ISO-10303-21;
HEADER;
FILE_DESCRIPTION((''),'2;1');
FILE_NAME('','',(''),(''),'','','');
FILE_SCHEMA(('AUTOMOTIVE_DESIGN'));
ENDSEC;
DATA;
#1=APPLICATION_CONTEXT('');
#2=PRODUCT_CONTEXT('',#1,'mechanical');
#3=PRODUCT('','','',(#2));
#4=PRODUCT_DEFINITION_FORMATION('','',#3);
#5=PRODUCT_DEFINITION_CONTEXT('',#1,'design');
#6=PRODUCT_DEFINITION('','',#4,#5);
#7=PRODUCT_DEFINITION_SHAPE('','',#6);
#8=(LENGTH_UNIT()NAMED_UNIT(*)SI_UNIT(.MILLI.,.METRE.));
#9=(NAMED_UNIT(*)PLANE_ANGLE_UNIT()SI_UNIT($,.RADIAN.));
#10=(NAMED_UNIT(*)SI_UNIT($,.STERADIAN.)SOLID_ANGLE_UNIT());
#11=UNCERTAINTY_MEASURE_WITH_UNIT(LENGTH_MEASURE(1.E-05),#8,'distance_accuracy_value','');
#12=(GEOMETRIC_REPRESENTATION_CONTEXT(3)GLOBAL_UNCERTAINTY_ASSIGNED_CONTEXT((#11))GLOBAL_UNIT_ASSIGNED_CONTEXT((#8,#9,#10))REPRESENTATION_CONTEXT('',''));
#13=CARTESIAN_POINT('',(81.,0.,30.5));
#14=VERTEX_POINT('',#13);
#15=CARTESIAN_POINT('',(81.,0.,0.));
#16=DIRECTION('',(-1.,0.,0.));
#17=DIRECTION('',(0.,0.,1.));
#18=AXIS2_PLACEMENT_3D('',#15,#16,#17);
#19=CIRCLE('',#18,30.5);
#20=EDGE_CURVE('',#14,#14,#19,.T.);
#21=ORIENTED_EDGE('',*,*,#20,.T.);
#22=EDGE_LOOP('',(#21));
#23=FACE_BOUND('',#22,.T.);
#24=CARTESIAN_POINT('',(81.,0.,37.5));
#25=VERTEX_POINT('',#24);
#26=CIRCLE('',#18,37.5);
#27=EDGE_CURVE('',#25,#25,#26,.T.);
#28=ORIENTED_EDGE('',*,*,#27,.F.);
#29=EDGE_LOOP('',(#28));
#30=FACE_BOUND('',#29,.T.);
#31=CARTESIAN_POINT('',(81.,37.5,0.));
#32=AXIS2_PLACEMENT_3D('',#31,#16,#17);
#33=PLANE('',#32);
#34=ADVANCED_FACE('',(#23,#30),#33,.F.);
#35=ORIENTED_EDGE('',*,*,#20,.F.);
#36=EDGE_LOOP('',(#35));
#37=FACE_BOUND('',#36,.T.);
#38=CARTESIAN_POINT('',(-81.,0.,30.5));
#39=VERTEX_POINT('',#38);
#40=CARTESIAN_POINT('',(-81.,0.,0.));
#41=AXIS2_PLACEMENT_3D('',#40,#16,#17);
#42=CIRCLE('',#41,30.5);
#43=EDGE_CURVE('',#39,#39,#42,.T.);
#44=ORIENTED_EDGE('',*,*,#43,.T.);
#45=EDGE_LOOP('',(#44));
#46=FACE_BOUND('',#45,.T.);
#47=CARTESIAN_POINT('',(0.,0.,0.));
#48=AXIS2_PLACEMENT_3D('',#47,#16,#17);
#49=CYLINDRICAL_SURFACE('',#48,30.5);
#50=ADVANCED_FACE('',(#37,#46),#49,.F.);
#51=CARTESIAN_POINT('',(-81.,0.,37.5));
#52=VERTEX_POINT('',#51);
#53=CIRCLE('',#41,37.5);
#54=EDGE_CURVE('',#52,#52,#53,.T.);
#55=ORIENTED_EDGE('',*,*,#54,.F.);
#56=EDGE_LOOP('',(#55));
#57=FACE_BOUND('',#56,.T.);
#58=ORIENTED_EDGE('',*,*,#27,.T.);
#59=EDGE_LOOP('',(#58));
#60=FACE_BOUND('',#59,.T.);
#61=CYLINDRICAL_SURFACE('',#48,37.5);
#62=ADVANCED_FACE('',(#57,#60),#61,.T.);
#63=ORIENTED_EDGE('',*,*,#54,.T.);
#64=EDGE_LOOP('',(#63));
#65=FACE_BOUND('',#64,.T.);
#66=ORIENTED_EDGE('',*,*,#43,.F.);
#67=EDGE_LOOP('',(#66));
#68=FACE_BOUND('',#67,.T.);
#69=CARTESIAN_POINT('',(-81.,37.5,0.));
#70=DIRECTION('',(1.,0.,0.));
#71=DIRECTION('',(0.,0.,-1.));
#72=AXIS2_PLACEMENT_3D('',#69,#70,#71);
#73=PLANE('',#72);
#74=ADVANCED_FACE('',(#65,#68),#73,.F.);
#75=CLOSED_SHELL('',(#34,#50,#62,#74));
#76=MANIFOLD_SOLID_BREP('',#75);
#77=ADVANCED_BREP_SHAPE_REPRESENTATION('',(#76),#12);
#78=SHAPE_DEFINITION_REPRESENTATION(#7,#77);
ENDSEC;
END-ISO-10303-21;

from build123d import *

# Parameters (mm, degrees)
SKETCH1_W = 162
SKETCH1_H = 7


with BuildPart() as part:
    # Sketch1 → Revolve1 (revolve)
    with BuildSketch(Plane.XY):
        with Locations((0, 34)):
            Rectangle(SKETCH1_W, SKETCH1_H)
    revolve(axis=Axis((0, 0, 0), (1, 0, 0)))


solid = part.part
